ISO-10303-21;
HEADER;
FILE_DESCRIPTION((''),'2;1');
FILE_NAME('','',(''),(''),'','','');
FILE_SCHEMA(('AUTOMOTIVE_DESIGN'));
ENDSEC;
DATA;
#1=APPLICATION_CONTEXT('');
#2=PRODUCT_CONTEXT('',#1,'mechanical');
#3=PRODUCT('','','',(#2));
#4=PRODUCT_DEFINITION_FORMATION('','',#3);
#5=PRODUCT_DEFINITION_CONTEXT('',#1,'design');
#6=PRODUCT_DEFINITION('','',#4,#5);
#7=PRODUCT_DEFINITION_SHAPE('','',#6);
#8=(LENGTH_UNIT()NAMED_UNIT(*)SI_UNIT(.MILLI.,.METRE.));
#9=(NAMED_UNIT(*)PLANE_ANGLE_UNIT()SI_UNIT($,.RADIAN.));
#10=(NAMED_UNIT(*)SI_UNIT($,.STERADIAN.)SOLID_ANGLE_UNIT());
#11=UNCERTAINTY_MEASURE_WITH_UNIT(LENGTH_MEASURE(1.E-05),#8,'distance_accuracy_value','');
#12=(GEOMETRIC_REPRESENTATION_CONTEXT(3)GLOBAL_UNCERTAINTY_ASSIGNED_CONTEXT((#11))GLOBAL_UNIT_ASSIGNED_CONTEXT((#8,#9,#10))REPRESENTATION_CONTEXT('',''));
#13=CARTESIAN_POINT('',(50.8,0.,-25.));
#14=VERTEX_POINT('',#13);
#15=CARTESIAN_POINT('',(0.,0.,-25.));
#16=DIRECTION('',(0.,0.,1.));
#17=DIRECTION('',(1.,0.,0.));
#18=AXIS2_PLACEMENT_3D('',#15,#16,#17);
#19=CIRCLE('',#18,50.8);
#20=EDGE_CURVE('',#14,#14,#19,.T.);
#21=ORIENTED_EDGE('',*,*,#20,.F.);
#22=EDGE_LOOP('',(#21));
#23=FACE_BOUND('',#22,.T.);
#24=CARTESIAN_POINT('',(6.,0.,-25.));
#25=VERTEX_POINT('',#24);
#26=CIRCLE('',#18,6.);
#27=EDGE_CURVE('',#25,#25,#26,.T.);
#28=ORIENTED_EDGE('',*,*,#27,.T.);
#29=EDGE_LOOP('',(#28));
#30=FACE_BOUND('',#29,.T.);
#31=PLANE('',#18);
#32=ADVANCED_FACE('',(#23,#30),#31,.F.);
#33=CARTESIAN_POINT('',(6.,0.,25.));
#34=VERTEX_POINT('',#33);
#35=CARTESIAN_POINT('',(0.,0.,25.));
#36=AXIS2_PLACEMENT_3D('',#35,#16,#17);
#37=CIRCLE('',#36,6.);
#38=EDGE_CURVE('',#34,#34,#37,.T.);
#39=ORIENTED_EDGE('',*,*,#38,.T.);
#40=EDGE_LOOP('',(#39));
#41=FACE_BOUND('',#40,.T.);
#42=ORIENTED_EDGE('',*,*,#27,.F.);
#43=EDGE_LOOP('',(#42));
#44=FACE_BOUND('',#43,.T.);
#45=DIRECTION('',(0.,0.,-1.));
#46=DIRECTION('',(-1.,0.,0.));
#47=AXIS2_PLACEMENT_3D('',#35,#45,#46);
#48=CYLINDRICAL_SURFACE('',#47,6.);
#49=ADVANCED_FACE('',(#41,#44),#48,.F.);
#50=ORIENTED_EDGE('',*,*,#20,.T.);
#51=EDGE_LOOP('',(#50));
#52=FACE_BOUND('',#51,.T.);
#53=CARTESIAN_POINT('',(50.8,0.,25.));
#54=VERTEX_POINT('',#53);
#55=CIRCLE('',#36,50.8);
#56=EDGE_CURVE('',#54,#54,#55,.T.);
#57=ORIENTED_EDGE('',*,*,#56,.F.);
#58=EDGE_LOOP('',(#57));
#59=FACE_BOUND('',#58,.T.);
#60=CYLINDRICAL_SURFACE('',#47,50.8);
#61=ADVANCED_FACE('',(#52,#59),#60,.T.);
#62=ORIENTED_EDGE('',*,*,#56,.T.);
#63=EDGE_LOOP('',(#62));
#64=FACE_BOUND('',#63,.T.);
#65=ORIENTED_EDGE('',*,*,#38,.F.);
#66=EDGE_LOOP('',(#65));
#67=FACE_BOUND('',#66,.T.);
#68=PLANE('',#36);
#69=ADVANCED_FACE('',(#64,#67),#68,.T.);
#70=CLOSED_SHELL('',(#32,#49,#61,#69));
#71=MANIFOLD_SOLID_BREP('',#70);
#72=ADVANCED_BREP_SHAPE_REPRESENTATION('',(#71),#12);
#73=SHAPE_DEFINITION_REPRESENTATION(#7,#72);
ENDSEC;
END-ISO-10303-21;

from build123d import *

# Parameters (mm, degrees)
SKETCH1_R           = 50.8
SKETCH1_R_2         = 6
BOSS_EXTRUDE1_DEPTH = 25


with BuildPart() as part:
    # Sketch1 → Boss-Extrude1 (new body, symmetric)
    with BuildSketch(Plane.XY):
        Circle(SKETCH1_R)
        Circle(SKETCH1_R_2, mode=Mode.SUBTRACT)
    extrude(amount=BOSS_EXTRUDE1_DEPTH, both=True)


solid = part.part
